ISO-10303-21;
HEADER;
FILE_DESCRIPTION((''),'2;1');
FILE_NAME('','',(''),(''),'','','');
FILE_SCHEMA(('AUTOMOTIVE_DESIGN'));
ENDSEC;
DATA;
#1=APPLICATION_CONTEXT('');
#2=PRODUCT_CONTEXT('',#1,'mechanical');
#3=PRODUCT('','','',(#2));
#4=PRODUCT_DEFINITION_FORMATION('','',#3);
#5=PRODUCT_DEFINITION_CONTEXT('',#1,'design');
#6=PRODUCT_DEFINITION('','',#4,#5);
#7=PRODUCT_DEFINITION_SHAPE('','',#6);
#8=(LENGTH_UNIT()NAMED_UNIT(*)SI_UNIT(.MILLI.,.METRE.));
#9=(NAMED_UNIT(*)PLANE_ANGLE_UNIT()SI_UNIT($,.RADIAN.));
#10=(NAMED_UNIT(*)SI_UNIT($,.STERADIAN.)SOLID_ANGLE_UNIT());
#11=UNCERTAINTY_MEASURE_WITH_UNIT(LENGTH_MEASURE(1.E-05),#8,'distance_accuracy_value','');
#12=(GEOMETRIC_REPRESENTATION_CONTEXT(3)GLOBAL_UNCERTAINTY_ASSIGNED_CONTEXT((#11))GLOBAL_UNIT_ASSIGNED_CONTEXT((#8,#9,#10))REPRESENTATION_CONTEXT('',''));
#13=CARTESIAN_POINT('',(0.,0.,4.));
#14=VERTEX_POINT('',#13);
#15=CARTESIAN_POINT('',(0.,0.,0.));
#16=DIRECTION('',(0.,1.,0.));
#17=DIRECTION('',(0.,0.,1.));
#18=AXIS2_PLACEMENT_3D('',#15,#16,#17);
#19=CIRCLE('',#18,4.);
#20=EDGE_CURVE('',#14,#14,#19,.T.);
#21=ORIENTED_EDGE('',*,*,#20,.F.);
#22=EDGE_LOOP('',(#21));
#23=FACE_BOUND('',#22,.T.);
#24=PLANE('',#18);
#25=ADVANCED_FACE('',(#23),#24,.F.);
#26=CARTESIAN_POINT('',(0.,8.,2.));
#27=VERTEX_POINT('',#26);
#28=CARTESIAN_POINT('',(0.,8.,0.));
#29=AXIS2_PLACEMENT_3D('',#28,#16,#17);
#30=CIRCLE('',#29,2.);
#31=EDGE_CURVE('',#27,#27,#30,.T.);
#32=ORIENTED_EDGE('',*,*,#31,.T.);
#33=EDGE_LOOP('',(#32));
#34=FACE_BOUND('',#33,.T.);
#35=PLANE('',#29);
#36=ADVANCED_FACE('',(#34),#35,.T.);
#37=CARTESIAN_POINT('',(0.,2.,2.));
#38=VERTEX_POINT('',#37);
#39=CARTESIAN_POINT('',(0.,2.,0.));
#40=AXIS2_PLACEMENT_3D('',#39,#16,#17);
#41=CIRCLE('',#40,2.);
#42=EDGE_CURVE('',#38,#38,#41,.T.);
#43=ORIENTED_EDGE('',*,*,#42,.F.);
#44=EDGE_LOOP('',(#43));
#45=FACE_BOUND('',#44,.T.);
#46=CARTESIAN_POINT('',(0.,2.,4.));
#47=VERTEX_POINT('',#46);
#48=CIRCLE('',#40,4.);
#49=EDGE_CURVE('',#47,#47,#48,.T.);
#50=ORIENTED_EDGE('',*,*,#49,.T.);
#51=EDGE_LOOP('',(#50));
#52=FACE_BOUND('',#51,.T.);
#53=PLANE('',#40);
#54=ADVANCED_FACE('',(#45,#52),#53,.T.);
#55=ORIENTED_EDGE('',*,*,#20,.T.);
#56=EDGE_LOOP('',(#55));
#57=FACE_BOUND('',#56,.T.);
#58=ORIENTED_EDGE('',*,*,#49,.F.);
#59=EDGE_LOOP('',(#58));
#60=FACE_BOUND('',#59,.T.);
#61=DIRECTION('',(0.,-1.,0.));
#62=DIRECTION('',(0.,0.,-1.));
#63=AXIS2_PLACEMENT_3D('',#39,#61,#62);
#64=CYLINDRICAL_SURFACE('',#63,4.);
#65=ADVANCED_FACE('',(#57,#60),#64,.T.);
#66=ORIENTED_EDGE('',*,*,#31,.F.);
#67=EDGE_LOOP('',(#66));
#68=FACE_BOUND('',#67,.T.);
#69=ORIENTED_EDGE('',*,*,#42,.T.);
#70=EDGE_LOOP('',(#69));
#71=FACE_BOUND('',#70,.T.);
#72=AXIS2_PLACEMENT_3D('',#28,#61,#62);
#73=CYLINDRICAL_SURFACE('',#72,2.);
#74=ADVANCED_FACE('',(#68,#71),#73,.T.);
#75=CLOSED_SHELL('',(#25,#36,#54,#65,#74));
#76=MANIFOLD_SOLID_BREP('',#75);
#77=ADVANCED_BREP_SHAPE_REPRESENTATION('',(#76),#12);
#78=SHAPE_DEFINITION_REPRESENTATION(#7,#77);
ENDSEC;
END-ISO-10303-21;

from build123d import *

# Parameters (mm, degrees)
SKETCH1_R           = 4
BOSS_EXTRUDE1_DEPTH = 2
SKETCH2_R           = 2
BOSS_EXTRUDE2_DEPTH = 6


with BuildPart() as part:
    # Sketch1 → Boss-Extrude1 (new body)
    with BuildSketch(Plane(origin=(0, 0, 0), x_dir=(1, 0, 0), z_dir=(0, 1, 0))):
        with Locations(Location((0, 0, 0), (0, 0, 270))):
            Circle(SKETCH1_R)
    extrude(amount=BOSS_EXTRUDE1_DEPTH)

    # Sketch2 → Boss-Extrude2 (add)
    with BuildSketch(Plane(origin=(0, 2, 0), x_dir=(1, 0, 0), z_dir=(0, 1, 0))):
        with Locations(Location((0, 0, 0), (0, 0, 270))):
            Circle(SKETCH2_R)
    extrude(amount=BOSS_EXTRUDE2_DEPTH)


solid = part.part
